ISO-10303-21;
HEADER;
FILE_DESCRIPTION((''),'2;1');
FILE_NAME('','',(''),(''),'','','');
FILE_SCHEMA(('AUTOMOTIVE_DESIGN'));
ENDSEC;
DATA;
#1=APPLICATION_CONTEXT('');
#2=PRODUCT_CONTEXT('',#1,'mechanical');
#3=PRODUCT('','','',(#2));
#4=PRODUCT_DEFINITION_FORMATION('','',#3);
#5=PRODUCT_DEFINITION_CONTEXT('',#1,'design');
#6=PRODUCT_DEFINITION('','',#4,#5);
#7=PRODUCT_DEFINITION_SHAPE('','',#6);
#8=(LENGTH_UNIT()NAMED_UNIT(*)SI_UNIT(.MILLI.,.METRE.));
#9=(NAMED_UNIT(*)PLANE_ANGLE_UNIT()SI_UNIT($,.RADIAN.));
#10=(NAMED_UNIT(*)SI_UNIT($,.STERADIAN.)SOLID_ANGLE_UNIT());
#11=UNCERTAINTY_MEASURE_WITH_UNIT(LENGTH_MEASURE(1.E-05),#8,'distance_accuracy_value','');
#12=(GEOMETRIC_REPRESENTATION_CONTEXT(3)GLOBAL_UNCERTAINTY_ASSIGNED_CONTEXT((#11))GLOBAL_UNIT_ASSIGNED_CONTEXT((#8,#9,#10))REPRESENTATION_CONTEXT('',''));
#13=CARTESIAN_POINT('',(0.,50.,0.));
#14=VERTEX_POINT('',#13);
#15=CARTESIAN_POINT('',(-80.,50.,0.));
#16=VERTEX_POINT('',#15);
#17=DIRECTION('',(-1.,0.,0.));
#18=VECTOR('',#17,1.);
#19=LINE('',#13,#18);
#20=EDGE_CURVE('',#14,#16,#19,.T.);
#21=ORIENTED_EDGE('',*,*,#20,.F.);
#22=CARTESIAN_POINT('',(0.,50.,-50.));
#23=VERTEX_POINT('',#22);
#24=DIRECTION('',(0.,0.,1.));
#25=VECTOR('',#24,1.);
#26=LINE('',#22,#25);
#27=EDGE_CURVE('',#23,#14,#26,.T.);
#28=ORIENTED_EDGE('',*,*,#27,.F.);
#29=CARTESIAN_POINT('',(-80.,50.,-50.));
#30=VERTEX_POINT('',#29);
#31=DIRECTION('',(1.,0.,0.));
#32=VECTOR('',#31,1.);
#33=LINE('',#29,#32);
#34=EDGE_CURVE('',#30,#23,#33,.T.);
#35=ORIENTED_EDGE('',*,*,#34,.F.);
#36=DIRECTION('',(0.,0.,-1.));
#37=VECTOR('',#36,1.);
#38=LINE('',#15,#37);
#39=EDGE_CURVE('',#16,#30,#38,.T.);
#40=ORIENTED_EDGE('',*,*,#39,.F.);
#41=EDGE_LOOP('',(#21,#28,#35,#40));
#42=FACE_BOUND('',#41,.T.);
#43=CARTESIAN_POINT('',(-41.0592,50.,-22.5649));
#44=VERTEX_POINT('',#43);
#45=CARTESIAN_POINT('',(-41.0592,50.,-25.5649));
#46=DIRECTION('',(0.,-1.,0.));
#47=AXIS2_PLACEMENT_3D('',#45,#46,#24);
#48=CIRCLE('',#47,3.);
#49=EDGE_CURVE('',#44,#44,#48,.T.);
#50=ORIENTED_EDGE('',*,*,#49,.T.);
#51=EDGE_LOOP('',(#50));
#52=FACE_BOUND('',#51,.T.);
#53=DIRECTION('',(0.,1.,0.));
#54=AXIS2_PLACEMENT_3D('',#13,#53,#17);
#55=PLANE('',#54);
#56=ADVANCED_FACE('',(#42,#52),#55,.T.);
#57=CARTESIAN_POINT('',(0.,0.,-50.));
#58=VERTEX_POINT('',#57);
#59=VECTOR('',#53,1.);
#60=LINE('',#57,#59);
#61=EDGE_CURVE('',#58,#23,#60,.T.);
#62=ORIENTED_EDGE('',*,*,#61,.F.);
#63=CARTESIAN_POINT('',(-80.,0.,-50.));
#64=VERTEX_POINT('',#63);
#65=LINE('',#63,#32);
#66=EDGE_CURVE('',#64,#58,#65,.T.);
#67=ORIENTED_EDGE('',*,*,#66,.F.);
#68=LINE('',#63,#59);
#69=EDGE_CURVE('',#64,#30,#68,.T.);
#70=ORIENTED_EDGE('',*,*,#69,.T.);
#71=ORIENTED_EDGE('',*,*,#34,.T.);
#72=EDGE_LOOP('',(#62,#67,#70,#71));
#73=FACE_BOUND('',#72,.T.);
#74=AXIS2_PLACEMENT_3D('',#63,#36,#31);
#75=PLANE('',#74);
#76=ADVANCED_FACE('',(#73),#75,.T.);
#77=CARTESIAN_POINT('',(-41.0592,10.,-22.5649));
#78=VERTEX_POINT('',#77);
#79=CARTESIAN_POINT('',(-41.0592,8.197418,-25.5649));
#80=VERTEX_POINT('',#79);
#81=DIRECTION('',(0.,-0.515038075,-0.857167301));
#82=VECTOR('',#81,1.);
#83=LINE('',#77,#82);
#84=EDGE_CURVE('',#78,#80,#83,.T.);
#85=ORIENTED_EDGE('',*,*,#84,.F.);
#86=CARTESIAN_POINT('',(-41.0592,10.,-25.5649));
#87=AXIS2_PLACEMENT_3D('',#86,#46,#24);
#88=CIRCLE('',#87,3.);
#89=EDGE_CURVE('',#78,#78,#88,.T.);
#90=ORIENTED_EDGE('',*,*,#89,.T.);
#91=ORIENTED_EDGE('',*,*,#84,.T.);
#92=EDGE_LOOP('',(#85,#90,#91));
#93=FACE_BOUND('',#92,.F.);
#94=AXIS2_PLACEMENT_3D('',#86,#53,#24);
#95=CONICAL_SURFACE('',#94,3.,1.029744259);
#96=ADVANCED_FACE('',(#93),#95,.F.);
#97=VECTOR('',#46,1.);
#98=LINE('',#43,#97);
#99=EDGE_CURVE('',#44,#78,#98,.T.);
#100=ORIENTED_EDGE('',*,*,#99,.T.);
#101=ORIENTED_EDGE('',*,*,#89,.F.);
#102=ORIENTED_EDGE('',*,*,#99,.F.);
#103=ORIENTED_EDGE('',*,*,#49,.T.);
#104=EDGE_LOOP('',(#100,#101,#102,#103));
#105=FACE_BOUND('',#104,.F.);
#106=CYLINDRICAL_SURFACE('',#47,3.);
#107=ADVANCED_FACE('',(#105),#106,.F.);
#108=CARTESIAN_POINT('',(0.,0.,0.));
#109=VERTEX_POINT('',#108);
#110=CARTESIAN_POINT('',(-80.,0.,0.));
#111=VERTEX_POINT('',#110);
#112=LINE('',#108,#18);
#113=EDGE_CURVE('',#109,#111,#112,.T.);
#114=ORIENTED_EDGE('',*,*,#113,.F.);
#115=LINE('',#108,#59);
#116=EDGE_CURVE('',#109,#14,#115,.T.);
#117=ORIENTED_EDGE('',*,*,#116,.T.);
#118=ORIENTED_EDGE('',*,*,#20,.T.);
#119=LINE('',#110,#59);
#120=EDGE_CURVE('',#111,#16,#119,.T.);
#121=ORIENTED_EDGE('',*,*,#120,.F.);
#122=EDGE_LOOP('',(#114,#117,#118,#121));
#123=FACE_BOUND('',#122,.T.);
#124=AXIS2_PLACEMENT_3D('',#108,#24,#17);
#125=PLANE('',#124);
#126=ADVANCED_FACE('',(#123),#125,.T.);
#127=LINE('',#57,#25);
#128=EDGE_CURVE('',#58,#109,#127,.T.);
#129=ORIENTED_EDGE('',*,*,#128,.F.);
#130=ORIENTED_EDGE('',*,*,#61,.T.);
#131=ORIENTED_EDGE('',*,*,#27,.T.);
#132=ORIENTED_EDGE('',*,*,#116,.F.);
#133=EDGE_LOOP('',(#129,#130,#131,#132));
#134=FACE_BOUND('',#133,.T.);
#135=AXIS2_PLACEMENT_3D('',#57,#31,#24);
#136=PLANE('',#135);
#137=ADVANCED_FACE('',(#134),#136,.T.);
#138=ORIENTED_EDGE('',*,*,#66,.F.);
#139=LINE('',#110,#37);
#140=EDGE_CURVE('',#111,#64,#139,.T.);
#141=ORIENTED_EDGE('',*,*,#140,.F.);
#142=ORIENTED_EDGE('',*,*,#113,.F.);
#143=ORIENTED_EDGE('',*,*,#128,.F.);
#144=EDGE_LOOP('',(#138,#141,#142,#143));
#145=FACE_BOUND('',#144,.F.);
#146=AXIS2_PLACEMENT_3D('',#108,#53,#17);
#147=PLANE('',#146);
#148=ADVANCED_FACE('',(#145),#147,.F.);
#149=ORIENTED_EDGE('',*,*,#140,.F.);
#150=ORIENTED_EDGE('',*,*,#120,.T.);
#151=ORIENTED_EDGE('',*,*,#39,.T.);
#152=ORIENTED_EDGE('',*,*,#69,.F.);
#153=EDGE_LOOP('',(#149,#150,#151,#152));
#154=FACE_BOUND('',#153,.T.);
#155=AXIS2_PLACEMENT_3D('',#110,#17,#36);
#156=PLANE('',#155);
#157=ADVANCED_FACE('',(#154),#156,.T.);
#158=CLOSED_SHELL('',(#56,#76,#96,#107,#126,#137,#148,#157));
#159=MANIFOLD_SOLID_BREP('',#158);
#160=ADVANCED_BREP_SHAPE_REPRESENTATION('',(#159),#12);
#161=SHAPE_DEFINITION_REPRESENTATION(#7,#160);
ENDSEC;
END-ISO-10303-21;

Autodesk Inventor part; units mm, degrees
ref_plane "YZ Plane" through (0, 0, 0) normal (1, 0, 0) x (0, 1, 0)
ref_plane "XZ Plane" through (0, 0, 0) normal (0, 1, 0) x (-1, 0, 0)
ref_plane "XY Plane" through (0, 0, 0) normal (0, 0, 1) x (1, 0, 0)
sketch "Sketch1" plane through (0, 0, 0) normal (0, 1, 0) x (-1, 0, 0)
  line L0 (0, 0) -> (80, 0)
  line L1 (80, 0) -> (80, -50)
  line L2 (80, -50) -> (0, -50)
  line L3 (0, -50) -> (0, 0)
  dimension "d0" = 80
  dimension "d1" = 50
extrude "Extrusion1" add sketch "Sketch1" along normal blind 50
sketch "Sketch2" plane through (0, 50, 0) normal (0, 1, 0) x (1, 0, 0)
  point P0 (0, 0)
  point P1 (-41.0592, 25.5649)
hole "Hole1" at (-41.0592, 50, -25.5649) direction (0, -1, 0) diameter 6 depth 40 tip angle 118
